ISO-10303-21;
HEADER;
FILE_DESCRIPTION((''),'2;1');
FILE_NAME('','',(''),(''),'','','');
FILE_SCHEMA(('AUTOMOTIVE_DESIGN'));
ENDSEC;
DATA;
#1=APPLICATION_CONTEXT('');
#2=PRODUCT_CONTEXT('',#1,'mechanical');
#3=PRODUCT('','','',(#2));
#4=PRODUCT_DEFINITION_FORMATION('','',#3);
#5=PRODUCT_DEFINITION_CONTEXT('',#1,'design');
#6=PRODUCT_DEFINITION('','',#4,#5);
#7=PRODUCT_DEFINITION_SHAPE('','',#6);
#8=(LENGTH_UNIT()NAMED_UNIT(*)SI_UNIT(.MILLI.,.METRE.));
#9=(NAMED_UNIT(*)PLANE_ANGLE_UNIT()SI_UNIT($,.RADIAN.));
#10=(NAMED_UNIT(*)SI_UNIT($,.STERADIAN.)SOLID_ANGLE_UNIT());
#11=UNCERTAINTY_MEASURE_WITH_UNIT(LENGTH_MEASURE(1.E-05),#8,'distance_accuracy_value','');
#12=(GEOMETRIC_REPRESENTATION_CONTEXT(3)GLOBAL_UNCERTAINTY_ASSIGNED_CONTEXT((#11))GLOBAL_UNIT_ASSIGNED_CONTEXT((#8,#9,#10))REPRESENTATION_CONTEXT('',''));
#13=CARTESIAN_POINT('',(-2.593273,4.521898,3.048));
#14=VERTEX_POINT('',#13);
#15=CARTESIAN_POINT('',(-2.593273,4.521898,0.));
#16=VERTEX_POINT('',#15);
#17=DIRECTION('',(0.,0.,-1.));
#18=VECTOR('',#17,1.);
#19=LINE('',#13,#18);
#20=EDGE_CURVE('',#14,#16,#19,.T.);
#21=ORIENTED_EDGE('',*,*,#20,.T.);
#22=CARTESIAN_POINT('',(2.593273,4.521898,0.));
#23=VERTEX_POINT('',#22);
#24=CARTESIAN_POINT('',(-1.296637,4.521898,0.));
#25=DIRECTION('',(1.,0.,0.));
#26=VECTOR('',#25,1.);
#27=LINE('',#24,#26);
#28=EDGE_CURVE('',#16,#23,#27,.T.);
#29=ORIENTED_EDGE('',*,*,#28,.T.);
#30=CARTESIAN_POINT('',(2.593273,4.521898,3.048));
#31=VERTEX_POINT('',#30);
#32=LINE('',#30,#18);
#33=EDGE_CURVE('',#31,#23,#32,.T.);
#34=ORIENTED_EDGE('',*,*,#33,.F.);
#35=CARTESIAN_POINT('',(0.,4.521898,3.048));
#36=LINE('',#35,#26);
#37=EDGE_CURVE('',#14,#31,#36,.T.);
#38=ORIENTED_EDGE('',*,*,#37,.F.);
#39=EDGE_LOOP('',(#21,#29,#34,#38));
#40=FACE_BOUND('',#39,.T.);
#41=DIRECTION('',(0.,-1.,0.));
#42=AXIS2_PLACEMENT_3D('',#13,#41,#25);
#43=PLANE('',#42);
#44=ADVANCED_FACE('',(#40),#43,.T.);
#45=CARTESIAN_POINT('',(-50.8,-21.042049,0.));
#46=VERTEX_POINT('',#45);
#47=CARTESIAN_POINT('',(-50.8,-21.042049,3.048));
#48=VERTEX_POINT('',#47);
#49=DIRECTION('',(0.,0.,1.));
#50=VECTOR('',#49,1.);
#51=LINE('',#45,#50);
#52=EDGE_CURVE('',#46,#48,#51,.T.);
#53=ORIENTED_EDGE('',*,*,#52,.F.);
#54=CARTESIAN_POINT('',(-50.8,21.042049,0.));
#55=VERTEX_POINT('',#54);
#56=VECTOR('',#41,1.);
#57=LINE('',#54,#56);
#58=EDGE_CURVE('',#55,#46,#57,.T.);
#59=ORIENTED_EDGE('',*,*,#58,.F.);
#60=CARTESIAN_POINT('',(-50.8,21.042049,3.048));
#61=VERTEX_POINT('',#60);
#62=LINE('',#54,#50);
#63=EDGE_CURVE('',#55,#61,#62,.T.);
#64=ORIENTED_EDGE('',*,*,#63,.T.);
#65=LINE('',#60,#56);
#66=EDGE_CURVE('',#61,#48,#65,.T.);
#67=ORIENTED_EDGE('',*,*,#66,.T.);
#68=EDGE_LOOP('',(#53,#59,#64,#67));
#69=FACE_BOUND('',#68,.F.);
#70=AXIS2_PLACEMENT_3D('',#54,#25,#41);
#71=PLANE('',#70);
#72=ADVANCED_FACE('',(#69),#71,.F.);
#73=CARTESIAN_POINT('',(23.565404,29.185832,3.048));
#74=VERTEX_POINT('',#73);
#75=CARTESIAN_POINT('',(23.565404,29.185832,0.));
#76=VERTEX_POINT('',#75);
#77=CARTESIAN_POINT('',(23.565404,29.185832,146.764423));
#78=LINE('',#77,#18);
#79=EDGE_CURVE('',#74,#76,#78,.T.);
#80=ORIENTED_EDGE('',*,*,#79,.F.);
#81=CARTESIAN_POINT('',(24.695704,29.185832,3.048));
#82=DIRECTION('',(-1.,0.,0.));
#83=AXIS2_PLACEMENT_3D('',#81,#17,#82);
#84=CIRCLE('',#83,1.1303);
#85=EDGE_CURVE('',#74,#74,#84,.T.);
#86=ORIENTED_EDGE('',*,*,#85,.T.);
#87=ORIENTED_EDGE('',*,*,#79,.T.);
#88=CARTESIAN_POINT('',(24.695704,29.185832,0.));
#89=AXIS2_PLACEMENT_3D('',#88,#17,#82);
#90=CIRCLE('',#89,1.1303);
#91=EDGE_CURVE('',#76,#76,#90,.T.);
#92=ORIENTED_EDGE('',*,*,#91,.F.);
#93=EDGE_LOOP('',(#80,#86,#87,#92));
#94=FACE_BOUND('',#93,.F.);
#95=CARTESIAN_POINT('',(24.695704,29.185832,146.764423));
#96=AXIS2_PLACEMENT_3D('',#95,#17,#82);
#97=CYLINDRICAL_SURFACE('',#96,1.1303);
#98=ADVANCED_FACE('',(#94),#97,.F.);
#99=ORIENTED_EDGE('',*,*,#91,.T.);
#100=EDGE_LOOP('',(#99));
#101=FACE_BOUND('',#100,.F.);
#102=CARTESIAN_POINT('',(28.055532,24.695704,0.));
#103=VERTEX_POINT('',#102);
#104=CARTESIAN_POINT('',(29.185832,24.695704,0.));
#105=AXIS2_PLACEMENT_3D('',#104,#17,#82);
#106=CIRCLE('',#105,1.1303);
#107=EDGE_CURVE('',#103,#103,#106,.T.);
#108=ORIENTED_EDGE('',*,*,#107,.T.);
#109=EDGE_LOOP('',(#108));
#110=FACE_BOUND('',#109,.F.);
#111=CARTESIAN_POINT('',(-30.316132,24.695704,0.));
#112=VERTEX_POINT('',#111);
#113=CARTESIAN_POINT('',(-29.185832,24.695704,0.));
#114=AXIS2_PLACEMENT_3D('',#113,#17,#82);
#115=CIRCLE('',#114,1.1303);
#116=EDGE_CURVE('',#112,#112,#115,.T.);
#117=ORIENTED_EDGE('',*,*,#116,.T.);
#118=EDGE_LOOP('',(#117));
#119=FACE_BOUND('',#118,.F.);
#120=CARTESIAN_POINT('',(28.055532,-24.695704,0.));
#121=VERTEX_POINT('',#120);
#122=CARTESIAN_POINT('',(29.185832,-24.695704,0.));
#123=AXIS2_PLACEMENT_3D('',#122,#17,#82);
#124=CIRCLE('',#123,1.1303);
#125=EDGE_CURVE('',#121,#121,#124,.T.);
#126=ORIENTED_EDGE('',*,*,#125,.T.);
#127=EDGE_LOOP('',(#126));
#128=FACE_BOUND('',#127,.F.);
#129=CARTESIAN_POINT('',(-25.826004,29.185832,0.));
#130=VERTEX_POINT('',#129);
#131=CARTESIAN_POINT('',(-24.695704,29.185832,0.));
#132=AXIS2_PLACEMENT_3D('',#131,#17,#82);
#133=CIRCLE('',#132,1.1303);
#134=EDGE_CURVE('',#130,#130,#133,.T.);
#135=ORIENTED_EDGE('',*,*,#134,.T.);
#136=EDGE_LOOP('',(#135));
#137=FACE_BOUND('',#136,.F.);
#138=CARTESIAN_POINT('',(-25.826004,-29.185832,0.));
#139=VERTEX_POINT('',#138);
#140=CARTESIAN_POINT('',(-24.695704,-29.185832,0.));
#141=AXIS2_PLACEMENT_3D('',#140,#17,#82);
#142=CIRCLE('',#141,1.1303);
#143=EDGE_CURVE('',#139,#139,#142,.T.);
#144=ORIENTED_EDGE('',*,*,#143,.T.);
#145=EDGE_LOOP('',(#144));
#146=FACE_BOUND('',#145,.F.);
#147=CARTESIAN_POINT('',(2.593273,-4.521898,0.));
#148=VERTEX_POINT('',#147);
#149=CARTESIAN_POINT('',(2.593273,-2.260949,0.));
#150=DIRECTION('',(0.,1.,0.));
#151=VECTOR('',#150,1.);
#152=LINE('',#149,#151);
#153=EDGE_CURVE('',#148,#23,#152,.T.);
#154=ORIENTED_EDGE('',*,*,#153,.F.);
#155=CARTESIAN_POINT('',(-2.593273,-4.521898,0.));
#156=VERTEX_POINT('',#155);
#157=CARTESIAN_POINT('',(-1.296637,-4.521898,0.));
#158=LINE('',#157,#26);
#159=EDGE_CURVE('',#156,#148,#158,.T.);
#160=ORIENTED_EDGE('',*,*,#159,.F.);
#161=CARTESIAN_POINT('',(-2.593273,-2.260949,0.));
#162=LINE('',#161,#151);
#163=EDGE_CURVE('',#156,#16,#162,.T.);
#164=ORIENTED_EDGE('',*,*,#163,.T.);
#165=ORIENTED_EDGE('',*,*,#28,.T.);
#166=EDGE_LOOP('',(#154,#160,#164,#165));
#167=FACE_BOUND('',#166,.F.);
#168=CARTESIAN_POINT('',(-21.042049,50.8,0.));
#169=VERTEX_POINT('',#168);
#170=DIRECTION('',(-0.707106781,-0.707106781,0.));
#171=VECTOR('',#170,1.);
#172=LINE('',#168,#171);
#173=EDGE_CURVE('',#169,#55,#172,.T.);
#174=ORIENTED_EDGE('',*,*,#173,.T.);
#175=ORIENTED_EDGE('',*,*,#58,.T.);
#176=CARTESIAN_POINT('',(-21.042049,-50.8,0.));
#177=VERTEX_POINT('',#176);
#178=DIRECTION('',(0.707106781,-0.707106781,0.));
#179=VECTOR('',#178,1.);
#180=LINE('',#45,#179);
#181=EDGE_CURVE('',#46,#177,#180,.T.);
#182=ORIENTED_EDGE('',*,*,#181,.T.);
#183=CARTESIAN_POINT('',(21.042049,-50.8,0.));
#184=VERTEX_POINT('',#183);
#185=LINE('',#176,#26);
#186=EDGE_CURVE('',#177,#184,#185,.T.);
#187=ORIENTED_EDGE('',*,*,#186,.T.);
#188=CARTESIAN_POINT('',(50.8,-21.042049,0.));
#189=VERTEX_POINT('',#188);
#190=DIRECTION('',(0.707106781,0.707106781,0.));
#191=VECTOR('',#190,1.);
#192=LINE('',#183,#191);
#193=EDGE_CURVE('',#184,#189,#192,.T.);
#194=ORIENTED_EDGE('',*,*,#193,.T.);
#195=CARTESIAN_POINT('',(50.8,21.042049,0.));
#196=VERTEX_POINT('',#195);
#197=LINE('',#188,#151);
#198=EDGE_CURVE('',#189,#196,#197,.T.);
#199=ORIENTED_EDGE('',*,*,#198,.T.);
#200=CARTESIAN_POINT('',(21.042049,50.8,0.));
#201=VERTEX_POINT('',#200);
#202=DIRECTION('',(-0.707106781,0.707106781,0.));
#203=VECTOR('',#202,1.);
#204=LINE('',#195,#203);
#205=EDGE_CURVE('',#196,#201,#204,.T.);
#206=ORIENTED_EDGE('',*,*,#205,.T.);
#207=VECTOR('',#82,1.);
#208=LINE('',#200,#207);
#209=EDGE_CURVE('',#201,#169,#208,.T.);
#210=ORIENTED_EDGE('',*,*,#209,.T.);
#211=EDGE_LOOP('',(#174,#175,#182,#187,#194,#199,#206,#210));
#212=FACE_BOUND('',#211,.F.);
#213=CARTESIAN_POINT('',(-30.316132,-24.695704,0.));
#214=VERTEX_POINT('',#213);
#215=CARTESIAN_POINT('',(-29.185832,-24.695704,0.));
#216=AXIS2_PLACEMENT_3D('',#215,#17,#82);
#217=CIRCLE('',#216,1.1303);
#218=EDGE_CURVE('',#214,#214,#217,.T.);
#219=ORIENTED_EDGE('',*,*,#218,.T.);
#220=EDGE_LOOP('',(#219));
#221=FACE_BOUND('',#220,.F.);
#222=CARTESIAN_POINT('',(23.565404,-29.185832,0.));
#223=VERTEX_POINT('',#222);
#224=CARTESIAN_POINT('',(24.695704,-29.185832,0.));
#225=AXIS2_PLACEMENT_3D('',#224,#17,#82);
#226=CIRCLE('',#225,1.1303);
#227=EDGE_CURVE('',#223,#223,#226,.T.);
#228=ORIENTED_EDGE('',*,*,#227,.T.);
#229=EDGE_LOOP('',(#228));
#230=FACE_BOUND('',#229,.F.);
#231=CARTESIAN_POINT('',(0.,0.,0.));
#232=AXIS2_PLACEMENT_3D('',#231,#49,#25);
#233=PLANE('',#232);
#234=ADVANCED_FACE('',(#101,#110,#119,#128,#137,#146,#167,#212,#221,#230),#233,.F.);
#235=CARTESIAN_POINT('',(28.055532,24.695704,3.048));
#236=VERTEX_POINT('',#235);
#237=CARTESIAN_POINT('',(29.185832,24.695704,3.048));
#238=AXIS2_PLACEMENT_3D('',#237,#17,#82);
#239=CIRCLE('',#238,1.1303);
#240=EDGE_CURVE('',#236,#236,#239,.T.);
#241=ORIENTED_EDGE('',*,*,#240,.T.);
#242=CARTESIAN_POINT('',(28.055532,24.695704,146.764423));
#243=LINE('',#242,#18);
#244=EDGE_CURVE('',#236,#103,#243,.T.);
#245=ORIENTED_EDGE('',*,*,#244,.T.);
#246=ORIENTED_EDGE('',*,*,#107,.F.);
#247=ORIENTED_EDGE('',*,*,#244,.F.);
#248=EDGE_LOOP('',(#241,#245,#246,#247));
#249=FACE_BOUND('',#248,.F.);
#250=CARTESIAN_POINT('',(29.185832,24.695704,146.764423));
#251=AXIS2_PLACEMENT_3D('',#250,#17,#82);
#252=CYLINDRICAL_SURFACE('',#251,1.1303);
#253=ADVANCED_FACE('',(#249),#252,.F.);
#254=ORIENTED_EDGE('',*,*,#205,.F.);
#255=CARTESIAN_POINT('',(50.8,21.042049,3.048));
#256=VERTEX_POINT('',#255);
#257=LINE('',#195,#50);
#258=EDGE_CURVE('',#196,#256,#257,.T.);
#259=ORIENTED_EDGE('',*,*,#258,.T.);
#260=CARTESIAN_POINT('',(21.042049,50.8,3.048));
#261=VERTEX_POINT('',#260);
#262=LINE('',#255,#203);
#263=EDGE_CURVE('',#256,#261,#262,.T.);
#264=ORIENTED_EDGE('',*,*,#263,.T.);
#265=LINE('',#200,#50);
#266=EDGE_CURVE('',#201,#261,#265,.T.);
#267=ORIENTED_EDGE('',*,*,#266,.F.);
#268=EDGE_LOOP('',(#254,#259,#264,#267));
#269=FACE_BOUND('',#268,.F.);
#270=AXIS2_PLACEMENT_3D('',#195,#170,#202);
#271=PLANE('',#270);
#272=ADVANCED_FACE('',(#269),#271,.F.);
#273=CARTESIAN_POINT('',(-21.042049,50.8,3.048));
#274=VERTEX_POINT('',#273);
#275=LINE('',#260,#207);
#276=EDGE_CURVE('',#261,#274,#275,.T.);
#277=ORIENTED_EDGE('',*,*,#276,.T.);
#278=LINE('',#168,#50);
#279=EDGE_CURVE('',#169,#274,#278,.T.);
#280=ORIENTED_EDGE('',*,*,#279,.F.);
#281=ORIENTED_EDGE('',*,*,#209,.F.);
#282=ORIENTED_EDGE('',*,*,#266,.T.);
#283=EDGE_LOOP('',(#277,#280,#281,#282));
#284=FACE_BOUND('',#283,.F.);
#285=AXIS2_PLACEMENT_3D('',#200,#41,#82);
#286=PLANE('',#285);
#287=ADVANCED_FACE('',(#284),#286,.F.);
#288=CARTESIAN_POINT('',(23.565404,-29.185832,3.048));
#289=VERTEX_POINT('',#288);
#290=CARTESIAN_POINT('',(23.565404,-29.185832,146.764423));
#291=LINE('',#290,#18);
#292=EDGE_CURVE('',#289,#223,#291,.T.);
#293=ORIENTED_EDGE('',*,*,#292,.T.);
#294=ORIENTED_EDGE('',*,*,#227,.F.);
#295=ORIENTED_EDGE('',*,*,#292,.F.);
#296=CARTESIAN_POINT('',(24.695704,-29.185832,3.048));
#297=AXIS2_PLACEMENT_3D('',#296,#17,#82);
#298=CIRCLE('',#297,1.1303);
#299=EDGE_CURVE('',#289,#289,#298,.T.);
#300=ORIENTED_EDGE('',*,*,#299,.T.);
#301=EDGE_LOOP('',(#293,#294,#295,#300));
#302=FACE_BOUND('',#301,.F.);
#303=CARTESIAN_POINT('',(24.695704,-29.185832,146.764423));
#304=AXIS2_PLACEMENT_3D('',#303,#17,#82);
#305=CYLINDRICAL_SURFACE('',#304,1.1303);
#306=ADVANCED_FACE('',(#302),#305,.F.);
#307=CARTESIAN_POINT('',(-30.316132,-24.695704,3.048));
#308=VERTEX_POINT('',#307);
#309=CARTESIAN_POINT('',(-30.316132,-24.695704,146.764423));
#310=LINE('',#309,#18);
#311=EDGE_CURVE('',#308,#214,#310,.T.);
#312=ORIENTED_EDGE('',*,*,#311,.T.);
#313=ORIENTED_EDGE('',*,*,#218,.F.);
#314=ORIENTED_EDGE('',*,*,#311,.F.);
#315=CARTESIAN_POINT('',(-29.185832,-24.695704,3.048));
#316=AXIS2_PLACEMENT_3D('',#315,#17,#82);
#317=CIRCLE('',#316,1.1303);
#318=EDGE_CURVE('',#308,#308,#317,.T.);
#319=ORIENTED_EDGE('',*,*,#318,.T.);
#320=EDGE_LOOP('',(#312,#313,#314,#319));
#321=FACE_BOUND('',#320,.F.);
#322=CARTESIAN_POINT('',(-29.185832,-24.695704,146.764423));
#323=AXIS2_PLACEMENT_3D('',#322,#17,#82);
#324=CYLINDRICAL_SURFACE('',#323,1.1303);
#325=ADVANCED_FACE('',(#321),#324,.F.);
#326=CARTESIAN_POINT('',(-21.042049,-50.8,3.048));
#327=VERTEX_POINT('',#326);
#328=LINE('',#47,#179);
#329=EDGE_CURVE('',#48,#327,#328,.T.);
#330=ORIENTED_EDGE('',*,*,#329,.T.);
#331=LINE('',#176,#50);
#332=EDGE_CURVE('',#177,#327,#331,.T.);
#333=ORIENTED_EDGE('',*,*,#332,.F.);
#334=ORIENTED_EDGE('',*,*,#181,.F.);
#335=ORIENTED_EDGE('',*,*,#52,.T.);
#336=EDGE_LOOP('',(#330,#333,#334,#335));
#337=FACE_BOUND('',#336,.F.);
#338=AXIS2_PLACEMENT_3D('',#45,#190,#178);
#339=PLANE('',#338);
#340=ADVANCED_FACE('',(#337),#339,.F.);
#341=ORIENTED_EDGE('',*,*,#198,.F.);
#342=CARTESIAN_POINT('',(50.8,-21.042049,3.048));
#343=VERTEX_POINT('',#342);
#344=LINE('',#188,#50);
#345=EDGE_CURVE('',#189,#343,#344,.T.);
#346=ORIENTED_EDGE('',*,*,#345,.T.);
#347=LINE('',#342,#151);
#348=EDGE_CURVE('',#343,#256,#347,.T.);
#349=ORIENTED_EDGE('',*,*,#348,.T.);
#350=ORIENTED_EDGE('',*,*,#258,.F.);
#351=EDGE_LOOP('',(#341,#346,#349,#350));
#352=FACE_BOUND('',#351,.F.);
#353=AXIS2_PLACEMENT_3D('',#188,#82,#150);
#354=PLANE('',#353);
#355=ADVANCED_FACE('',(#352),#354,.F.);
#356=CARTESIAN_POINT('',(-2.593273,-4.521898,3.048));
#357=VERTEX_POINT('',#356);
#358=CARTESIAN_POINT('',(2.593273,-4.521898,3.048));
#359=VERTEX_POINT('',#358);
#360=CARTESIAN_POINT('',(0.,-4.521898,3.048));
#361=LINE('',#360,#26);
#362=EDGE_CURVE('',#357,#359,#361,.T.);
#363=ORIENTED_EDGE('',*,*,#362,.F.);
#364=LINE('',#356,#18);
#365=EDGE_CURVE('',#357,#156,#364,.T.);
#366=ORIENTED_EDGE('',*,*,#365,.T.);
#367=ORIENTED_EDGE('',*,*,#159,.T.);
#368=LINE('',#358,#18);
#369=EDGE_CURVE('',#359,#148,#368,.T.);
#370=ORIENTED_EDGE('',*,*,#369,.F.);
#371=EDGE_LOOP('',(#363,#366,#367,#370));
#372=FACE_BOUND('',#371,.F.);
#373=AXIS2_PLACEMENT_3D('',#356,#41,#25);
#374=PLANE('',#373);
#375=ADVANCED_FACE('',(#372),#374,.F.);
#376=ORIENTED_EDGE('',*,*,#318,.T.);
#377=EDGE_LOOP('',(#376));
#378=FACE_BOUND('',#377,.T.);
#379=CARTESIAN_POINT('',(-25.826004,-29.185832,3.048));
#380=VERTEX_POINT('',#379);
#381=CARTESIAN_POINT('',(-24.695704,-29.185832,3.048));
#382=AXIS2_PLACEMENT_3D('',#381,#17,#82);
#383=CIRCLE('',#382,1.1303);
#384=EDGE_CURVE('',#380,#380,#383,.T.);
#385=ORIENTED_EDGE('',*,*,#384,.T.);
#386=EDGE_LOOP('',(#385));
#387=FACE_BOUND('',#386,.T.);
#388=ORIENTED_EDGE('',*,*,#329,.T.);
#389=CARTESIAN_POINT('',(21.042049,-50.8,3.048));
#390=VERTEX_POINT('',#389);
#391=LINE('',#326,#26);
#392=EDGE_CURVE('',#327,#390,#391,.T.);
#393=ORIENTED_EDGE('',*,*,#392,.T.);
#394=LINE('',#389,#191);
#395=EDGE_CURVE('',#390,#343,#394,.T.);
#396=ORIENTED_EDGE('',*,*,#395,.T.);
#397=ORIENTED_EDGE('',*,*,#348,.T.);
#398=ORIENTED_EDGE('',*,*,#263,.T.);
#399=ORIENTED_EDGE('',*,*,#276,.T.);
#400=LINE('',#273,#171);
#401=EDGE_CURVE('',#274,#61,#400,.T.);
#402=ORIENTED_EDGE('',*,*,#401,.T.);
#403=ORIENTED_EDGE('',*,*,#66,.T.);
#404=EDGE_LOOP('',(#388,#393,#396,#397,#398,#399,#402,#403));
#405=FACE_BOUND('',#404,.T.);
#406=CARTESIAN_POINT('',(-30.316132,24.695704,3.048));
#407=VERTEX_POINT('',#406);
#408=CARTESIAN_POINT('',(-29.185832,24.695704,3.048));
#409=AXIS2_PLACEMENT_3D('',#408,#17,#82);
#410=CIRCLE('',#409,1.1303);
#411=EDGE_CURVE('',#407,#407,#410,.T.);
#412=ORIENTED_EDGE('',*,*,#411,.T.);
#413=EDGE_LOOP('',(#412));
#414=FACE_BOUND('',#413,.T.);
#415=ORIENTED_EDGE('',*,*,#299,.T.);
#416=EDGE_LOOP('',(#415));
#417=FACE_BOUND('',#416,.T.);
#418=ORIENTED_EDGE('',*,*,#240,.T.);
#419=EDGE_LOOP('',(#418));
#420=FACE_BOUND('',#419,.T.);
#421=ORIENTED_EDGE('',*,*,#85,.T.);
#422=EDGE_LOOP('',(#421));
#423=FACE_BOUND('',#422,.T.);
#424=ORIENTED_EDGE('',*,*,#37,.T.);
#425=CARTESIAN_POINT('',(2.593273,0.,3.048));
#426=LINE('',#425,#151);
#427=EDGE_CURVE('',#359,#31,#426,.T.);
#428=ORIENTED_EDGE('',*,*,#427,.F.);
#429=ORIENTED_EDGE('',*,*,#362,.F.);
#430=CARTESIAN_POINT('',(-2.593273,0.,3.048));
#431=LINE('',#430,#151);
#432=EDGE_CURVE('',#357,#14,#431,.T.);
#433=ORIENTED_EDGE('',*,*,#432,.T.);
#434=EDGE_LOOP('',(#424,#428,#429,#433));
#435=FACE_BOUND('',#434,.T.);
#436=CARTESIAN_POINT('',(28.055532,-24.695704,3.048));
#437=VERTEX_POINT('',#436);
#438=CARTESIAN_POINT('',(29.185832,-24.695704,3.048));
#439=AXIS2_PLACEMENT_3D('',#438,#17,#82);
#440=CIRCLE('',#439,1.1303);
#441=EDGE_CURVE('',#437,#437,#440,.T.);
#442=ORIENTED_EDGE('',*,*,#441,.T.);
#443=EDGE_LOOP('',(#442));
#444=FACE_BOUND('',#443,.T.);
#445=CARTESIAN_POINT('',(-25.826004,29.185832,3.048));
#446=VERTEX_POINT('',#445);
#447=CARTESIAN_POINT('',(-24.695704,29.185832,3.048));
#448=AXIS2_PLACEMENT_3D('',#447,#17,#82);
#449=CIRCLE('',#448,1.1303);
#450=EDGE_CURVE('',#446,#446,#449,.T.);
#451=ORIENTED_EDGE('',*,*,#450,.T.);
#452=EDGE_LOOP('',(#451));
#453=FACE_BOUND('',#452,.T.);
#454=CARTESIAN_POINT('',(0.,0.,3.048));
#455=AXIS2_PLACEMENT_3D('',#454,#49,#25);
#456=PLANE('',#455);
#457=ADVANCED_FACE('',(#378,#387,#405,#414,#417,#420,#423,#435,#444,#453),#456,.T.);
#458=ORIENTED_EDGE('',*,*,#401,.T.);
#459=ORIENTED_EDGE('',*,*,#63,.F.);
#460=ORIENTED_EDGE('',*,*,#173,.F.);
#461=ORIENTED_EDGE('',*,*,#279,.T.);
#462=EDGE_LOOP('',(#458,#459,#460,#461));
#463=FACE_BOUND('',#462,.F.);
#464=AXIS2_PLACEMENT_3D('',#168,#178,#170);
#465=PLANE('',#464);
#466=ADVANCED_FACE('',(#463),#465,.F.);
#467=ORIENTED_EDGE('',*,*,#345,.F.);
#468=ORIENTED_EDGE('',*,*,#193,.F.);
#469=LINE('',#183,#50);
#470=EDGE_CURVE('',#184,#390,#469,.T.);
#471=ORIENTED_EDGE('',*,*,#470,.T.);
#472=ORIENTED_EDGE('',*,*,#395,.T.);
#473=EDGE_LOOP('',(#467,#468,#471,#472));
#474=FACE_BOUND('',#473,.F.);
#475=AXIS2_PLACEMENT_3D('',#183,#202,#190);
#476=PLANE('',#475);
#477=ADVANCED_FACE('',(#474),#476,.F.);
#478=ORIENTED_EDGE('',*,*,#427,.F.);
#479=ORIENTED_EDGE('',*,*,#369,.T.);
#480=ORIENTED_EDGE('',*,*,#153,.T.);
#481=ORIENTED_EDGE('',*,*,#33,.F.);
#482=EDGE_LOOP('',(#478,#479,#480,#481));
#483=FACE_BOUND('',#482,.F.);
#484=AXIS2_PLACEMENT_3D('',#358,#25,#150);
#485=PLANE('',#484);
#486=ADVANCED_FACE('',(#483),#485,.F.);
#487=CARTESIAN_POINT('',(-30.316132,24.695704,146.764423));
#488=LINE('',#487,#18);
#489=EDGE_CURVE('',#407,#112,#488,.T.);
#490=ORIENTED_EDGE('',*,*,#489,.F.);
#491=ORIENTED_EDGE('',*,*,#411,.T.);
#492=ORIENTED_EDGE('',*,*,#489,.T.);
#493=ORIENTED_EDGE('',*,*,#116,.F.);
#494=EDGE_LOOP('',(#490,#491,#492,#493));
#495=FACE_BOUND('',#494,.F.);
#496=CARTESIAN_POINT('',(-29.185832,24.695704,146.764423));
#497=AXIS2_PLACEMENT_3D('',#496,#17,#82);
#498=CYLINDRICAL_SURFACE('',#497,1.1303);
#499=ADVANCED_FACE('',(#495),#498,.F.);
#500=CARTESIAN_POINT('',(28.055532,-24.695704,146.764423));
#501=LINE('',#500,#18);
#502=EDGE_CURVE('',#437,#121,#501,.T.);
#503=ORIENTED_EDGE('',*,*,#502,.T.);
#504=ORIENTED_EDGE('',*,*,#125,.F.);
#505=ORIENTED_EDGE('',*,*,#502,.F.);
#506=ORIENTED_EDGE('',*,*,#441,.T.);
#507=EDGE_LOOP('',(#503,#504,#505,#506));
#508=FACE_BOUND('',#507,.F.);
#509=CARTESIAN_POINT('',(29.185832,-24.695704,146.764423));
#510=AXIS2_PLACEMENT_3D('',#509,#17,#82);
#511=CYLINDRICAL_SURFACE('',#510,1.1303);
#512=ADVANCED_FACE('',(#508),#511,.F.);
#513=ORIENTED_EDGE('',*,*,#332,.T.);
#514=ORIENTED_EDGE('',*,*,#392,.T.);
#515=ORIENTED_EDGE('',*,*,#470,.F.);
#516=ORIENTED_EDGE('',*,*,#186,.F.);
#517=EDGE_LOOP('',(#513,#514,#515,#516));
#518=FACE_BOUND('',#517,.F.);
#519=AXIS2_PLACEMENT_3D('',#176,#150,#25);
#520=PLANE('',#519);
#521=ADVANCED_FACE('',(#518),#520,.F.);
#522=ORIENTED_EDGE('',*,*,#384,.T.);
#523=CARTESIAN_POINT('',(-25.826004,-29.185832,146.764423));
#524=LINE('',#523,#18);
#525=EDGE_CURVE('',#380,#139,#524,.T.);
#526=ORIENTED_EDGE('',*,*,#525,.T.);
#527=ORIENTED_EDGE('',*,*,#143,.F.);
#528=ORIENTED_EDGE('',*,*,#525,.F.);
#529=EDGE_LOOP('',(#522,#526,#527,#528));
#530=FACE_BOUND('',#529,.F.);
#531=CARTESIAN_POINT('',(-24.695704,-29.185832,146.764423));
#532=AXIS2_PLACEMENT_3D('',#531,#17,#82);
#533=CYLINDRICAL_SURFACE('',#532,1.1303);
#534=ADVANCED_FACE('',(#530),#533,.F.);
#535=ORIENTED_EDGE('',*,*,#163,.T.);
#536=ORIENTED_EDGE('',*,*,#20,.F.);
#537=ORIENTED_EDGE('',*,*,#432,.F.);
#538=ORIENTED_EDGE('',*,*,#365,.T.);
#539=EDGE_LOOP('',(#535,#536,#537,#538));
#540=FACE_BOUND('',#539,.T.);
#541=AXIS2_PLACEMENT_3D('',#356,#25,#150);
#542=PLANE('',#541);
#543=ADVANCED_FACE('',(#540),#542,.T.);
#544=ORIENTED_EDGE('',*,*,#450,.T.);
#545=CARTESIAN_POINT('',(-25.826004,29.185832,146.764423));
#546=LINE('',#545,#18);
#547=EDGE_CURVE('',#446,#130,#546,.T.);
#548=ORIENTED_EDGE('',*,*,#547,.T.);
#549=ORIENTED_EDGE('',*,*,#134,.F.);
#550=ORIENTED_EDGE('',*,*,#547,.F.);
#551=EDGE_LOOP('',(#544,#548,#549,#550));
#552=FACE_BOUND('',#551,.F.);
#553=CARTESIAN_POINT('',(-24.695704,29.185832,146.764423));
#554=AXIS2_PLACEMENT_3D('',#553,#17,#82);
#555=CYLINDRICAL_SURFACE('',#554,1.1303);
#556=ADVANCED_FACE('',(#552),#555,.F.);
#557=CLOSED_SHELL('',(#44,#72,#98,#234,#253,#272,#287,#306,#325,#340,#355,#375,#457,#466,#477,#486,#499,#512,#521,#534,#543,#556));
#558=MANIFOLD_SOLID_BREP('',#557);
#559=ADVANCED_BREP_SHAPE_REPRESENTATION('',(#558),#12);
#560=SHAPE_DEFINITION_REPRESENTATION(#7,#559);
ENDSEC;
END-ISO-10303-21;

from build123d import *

# Parameters (mm, degrees)
F1_DEPTH = 3.048
F3_D     = 2.2606
F4_W     = 5.1865465939
F4_H     = 9.0437950566
F5_DEPTH = 25.4


with BuildPart() as f1:
    # F0 (on Top) → F1 (new body)
    with BuildSketch(Plane.XY):
        Polygon((21.0420489686, 50.8), (-21.0420489686, 50.8), (-50.8, 21.0420489686), (-50.8, -21.0420489686), (-21.0420489686, -50.8), (21.0420489686, -50.8), (50.8, -21.0420489686), (50.8, 21.0420489686), align=None)
    extrude(amount=F1_DEPTH)

    # F3 (through all)
    with Locations(Plane.XY.offset(3.048)):
        with Locations((-24.6957043329, 29.1858323935), (-29.1858323935, 24.6957043329), (-29.1858323935, -24.6957043329), (-24.6957043329, -29.1858323935), (24.6957043329, -29.1858323935), (29.1858323935, -24.6957043329), (29.1858323935, 24.6957043329), (24.6957043329, 29.1858323935)):
            Hole(F3_D / 2)

    # F4 (on face) → F5 (cut)
    with BuildSketch(Plane.XY.offset(3.048)):
        Rectangle(F4_W, F4_H)
    extrude(amount=-F5_DEPTH, mode=Mode.SUBTRACT)


solid = f1.part
